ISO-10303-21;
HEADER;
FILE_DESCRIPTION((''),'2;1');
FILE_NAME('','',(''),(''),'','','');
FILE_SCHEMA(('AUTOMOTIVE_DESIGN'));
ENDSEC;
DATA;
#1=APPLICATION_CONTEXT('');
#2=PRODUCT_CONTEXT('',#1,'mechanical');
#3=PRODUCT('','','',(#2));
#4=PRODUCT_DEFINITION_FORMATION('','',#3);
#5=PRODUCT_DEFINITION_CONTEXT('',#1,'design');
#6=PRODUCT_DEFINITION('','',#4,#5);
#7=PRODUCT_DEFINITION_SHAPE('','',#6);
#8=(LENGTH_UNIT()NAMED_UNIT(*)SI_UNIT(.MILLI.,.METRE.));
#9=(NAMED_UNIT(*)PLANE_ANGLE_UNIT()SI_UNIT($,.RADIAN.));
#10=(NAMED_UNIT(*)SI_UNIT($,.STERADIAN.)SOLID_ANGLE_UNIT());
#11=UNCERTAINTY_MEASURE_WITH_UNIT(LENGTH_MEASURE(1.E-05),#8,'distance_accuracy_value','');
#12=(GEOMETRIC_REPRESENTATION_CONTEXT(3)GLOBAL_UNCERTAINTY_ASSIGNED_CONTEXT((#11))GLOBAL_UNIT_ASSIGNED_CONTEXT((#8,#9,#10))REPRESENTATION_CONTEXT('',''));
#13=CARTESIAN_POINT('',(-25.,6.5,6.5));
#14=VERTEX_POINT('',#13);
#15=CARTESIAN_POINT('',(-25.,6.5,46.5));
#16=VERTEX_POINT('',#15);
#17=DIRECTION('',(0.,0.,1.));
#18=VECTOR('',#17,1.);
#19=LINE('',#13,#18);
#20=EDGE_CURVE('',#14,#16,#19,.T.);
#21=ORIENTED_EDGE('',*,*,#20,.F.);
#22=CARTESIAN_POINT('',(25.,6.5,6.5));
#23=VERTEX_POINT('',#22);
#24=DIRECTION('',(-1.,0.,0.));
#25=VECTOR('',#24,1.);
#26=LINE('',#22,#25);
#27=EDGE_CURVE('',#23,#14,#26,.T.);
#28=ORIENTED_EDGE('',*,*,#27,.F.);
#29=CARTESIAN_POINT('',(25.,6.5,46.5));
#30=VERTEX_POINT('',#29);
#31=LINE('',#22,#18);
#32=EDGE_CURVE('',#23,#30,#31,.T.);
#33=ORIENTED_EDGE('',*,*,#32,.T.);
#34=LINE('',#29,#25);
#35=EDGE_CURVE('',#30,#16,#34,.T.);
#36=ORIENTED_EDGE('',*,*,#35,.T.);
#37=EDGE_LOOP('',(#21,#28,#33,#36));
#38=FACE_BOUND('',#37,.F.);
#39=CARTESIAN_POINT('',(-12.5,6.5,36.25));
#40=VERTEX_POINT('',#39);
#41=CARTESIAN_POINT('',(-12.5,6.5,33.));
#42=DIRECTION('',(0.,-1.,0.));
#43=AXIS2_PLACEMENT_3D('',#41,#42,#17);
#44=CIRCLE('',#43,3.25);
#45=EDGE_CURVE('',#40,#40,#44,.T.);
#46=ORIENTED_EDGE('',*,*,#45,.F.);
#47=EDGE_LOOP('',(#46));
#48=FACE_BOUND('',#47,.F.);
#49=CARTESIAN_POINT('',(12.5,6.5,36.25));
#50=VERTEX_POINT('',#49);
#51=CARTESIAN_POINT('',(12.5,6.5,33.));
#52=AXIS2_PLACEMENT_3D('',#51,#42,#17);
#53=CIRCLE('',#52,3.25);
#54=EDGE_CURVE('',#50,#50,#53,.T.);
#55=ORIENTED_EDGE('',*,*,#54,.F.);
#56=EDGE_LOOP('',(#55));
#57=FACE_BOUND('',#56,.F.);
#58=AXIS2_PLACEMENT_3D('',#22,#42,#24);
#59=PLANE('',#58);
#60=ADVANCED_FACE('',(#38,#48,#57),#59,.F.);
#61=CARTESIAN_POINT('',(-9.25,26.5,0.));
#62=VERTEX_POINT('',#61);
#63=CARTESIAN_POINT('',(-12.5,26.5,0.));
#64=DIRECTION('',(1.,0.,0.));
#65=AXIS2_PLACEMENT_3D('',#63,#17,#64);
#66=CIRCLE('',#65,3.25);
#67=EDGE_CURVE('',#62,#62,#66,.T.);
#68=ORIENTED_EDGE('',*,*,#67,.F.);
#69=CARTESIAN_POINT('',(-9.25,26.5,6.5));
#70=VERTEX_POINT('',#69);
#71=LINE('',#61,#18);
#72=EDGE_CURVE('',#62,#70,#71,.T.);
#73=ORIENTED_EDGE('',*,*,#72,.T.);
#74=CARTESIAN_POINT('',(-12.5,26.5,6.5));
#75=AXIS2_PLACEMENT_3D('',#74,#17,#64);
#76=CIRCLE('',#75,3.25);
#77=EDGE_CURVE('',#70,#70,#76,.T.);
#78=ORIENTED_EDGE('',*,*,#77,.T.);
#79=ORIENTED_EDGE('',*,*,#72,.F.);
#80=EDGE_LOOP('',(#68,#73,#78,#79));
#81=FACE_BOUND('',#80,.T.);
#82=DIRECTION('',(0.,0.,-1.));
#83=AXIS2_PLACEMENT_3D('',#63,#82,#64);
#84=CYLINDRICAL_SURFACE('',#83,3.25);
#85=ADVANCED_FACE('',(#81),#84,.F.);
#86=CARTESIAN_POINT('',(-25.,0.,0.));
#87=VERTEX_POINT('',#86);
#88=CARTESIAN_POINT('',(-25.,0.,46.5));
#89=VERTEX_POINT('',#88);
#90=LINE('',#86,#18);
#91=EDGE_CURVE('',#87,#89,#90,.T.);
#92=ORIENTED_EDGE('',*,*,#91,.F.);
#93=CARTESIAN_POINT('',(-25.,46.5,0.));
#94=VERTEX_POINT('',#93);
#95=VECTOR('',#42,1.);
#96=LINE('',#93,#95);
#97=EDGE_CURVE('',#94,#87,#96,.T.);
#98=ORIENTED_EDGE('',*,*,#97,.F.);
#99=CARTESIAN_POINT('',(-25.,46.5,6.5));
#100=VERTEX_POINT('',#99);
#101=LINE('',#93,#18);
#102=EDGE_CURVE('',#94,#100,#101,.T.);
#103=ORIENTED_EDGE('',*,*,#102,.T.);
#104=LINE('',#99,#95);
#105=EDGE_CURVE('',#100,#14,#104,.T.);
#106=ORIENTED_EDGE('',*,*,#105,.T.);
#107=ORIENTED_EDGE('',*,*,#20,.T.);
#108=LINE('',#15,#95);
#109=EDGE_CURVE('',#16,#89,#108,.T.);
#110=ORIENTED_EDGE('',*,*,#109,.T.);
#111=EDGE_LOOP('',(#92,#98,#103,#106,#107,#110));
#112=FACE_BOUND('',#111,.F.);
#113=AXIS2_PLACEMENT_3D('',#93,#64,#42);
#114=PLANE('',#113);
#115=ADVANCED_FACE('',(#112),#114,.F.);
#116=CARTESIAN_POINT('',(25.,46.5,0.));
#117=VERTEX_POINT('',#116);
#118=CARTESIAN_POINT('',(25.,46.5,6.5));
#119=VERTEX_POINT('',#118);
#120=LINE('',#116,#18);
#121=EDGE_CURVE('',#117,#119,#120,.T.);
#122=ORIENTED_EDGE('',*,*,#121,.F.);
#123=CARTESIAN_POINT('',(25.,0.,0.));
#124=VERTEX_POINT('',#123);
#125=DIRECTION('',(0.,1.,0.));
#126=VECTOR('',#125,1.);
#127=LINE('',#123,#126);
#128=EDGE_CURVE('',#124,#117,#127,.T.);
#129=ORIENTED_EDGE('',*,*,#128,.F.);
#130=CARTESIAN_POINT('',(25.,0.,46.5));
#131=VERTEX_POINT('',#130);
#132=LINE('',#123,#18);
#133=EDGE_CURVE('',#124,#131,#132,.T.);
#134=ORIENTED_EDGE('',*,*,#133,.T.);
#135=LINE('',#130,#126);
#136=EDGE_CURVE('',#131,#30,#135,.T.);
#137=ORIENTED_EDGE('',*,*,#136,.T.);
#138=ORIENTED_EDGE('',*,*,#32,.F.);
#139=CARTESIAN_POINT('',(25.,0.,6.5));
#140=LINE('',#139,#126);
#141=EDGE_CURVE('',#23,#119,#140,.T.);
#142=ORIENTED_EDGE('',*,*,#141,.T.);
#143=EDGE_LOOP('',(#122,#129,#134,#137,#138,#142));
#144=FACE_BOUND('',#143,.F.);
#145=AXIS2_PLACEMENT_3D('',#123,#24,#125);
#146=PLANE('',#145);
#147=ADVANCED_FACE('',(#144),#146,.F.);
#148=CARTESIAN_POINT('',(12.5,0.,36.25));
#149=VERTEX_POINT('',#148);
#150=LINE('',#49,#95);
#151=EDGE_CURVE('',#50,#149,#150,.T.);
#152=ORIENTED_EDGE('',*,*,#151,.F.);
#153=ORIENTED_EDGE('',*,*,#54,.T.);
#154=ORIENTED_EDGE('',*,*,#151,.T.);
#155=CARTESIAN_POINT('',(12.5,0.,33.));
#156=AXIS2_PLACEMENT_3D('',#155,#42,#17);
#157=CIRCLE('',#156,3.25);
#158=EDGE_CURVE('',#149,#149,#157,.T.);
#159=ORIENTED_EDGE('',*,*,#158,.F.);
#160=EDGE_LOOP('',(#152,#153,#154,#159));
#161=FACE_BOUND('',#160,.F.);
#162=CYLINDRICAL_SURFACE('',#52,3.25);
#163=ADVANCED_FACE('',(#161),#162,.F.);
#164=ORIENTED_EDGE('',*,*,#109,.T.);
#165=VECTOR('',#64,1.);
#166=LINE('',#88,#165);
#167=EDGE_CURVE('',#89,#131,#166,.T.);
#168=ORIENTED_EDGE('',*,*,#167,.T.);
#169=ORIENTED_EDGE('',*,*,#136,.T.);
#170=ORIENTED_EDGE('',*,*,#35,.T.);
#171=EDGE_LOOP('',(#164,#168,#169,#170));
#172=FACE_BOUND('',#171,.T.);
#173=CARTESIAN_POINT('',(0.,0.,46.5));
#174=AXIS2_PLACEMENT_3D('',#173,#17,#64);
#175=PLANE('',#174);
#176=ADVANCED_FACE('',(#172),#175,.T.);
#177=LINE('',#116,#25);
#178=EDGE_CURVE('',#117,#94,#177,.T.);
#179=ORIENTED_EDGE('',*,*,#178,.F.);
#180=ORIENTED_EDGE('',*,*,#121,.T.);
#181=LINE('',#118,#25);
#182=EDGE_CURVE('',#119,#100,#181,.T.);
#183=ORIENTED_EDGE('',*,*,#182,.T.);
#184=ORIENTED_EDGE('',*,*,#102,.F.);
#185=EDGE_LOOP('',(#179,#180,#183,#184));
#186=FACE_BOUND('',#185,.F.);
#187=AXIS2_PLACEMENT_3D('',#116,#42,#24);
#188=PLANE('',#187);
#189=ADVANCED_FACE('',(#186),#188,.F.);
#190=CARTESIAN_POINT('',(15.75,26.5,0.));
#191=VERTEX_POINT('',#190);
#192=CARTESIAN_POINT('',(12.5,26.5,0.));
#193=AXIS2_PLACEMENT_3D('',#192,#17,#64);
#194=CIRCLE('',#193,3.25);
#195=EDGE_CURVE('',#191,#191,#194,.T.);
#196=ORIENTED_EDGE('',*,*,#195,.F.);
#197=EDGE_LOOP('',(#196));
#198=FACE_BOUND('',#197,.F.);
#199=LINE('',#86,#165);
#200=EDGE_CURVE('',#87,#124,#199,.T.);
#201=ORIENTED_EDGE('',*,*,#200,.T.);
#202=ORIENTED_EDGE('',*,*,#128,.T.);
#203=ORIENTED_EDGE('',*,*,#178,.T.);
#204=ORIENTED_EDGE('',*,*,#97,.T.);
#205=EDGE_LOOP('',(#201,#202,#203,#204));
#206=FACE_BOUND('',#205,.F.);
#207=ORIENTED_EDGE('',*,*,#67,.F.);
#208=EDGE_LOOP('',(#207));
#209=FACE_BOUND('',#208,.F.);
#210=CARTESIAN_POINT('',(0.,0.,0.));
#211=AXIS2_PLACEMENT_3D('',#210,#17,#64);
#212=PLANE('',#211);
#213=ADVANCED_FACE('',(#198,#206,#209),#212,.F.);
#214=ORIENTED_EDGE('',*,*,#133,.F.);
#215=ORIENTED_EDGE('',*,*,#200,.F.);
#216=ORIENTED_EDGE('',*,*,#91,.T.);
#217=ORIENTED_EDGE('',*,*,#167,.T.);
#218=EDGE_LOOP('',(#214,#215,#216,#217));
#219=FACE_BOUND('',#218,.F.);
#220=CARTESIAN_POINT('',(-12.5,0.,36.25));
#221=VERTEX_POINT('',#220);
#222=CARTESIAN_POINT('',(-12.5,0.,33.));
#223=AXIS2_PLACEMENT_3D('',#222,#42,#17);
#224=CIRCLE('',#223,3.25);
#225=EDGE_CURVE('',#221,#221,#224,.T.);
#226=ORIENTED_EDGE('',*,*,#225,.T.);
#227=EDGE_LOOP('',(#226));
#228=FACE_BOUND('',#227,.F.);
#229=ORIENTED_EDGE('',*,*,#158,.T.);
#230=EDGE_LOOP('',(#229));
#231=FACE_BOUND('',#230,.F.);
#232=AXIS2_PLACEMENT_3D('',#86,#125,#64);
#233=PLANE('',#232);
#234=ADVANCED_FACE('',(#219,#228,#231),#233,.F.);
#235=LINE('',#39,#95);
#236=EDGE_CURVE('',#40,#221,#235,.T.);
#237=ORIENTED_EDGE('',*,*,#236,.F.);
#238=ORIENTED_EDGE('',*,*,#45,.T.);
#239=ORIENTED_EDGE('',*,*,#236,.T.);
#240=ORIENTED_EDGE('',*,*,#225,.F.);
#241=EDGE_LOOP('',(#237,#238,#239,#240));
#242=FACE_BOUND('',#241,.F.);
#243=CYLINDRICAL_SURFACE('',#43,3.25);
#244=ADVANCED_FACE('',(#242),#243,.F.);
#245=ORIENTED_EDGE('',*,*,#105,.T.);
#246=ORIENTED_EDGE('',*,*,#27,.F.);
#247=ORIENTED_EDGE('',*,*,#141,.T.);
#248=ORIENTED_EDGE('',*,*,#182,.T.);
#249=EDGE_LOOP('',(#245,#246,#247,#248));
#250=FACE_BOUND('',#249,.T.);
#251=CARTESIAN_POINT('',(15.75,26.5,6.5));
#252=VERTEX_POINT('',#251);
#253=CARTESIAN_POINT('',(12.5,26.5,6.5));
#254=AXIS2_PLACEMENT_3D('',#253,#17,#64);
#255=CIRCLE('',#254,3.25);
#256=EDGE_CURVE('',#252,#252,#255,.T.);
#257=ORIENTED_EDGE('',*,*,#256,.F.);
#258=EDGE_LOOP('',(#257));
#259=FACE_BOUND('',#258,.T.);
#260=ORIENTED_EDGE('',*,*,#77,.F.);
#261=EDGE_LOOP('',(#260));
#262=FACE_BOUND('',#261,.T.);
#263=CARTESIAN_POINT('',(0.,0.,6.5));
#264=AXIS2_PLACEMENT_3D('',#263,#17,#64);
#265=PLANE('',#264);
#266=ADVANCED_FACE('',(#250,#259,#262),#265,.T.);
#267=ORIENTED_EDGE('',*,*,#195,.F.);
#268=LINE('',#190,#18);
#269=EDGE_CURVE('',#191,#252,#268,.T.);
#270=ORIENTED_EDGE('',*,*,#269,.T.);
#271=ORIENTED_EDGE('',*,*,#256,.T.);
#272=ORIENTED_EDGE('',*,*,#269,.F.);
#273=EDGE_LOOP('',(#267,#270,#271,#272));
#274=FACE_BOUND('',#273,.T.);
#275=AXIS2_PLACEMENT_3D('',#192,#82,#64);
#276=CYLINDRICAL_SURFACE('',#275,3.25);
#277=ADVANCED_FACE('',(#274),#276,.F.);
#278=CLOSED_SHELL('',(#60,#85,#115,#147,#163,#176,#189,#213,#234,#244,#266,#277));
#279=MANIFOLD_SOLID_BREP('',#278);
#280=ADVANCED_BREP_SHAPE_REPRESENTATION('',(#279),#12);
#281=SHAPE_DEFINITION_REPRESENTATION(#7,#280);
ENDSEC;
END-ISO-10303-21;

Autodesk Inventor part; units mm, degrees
ref_plane "YZ Plane" through (0, 0, 0) normal (1, 0, 0) x (0, 1, 0)
ref_plane "XZ Plane" through (0, 0, 0) normal (0, 1, 0) x (-1, 0, 0)
ref_plane "XY Plane" through (0, 0, 0) normal (0, 0, 1) x (1, 0, 0)
sketch "Sketch1" plane through (0, 0, 0) normal (0, 0, 1) x (1, 0, 0)
  line L0 (-25, 0) -> (25, 0)
  line L1 (25, 0) -> (25, 46.5)
  line L2 (25, 46.5) -> (-25, 46.5)
  line L3 (-25, 46.5) -> (-25, 0)
  circle A0 centre (-12.5, 26.5) radius 3.25
  circle A1 centre (12.5, 26.5) radius 3.25
  point P0 (0, 0)
  dimension "d0" = 50
  dimension "d1" = 46.5
  dimension "d2" = 6.5
  dimension "d3" = 6.5
extrude "Extrusion1" add sketch "Sketch1" along normal blind 6.5
sketch "Sketch2" plane through (0, 0, 6.5) normal (0, 0, 1) x (1, 0, 0)
  line L0 (-25, 0) -> (25, 0)
  line L1 (25, 0) -> (25, 6.5)
  line L2 (25, 6.5) -> (-25, 6.5)
  line L3 (-25, 6.5) -> (-25, 0)
  point P0 (0, 0)
  dimension "d6" = 50
  dimension "d7" = 6.5
extrude "Extrusion2" add sketch "Sketch2" along normal blind 40
sketch "Sketch3" plane through (-25, 6.5, 6.5) normal (0, 1, 0) x (1, 0, 0)
  circle A0 centre (12.5, -26.5) radius 3.25
  circle A1 centre (37.5, -26.5) radius 3.25
  point P0 (25, 6.5)
  dimension "d10" = 6.5
  dimension "d11" = 6.5
hole "Hole1" at (-12.5, 6.5, 33) direction (0, -1, 0) diameter 6.5 end through all
sketch "Sketch4" plane through (-25, 6.5, 6.5) normal (0, 1, 0) x (1, 0, 0)
  circle A0 centre (37.5, -26.5) radius 3.25
  point P0 (25, 6.5)
  dimension "d19" = 6.5
hole "Hole2" at (12.5, 6.5, 33) direction (0, -1, 0) diameter 6.5 end through all
properties part number "Angle"
